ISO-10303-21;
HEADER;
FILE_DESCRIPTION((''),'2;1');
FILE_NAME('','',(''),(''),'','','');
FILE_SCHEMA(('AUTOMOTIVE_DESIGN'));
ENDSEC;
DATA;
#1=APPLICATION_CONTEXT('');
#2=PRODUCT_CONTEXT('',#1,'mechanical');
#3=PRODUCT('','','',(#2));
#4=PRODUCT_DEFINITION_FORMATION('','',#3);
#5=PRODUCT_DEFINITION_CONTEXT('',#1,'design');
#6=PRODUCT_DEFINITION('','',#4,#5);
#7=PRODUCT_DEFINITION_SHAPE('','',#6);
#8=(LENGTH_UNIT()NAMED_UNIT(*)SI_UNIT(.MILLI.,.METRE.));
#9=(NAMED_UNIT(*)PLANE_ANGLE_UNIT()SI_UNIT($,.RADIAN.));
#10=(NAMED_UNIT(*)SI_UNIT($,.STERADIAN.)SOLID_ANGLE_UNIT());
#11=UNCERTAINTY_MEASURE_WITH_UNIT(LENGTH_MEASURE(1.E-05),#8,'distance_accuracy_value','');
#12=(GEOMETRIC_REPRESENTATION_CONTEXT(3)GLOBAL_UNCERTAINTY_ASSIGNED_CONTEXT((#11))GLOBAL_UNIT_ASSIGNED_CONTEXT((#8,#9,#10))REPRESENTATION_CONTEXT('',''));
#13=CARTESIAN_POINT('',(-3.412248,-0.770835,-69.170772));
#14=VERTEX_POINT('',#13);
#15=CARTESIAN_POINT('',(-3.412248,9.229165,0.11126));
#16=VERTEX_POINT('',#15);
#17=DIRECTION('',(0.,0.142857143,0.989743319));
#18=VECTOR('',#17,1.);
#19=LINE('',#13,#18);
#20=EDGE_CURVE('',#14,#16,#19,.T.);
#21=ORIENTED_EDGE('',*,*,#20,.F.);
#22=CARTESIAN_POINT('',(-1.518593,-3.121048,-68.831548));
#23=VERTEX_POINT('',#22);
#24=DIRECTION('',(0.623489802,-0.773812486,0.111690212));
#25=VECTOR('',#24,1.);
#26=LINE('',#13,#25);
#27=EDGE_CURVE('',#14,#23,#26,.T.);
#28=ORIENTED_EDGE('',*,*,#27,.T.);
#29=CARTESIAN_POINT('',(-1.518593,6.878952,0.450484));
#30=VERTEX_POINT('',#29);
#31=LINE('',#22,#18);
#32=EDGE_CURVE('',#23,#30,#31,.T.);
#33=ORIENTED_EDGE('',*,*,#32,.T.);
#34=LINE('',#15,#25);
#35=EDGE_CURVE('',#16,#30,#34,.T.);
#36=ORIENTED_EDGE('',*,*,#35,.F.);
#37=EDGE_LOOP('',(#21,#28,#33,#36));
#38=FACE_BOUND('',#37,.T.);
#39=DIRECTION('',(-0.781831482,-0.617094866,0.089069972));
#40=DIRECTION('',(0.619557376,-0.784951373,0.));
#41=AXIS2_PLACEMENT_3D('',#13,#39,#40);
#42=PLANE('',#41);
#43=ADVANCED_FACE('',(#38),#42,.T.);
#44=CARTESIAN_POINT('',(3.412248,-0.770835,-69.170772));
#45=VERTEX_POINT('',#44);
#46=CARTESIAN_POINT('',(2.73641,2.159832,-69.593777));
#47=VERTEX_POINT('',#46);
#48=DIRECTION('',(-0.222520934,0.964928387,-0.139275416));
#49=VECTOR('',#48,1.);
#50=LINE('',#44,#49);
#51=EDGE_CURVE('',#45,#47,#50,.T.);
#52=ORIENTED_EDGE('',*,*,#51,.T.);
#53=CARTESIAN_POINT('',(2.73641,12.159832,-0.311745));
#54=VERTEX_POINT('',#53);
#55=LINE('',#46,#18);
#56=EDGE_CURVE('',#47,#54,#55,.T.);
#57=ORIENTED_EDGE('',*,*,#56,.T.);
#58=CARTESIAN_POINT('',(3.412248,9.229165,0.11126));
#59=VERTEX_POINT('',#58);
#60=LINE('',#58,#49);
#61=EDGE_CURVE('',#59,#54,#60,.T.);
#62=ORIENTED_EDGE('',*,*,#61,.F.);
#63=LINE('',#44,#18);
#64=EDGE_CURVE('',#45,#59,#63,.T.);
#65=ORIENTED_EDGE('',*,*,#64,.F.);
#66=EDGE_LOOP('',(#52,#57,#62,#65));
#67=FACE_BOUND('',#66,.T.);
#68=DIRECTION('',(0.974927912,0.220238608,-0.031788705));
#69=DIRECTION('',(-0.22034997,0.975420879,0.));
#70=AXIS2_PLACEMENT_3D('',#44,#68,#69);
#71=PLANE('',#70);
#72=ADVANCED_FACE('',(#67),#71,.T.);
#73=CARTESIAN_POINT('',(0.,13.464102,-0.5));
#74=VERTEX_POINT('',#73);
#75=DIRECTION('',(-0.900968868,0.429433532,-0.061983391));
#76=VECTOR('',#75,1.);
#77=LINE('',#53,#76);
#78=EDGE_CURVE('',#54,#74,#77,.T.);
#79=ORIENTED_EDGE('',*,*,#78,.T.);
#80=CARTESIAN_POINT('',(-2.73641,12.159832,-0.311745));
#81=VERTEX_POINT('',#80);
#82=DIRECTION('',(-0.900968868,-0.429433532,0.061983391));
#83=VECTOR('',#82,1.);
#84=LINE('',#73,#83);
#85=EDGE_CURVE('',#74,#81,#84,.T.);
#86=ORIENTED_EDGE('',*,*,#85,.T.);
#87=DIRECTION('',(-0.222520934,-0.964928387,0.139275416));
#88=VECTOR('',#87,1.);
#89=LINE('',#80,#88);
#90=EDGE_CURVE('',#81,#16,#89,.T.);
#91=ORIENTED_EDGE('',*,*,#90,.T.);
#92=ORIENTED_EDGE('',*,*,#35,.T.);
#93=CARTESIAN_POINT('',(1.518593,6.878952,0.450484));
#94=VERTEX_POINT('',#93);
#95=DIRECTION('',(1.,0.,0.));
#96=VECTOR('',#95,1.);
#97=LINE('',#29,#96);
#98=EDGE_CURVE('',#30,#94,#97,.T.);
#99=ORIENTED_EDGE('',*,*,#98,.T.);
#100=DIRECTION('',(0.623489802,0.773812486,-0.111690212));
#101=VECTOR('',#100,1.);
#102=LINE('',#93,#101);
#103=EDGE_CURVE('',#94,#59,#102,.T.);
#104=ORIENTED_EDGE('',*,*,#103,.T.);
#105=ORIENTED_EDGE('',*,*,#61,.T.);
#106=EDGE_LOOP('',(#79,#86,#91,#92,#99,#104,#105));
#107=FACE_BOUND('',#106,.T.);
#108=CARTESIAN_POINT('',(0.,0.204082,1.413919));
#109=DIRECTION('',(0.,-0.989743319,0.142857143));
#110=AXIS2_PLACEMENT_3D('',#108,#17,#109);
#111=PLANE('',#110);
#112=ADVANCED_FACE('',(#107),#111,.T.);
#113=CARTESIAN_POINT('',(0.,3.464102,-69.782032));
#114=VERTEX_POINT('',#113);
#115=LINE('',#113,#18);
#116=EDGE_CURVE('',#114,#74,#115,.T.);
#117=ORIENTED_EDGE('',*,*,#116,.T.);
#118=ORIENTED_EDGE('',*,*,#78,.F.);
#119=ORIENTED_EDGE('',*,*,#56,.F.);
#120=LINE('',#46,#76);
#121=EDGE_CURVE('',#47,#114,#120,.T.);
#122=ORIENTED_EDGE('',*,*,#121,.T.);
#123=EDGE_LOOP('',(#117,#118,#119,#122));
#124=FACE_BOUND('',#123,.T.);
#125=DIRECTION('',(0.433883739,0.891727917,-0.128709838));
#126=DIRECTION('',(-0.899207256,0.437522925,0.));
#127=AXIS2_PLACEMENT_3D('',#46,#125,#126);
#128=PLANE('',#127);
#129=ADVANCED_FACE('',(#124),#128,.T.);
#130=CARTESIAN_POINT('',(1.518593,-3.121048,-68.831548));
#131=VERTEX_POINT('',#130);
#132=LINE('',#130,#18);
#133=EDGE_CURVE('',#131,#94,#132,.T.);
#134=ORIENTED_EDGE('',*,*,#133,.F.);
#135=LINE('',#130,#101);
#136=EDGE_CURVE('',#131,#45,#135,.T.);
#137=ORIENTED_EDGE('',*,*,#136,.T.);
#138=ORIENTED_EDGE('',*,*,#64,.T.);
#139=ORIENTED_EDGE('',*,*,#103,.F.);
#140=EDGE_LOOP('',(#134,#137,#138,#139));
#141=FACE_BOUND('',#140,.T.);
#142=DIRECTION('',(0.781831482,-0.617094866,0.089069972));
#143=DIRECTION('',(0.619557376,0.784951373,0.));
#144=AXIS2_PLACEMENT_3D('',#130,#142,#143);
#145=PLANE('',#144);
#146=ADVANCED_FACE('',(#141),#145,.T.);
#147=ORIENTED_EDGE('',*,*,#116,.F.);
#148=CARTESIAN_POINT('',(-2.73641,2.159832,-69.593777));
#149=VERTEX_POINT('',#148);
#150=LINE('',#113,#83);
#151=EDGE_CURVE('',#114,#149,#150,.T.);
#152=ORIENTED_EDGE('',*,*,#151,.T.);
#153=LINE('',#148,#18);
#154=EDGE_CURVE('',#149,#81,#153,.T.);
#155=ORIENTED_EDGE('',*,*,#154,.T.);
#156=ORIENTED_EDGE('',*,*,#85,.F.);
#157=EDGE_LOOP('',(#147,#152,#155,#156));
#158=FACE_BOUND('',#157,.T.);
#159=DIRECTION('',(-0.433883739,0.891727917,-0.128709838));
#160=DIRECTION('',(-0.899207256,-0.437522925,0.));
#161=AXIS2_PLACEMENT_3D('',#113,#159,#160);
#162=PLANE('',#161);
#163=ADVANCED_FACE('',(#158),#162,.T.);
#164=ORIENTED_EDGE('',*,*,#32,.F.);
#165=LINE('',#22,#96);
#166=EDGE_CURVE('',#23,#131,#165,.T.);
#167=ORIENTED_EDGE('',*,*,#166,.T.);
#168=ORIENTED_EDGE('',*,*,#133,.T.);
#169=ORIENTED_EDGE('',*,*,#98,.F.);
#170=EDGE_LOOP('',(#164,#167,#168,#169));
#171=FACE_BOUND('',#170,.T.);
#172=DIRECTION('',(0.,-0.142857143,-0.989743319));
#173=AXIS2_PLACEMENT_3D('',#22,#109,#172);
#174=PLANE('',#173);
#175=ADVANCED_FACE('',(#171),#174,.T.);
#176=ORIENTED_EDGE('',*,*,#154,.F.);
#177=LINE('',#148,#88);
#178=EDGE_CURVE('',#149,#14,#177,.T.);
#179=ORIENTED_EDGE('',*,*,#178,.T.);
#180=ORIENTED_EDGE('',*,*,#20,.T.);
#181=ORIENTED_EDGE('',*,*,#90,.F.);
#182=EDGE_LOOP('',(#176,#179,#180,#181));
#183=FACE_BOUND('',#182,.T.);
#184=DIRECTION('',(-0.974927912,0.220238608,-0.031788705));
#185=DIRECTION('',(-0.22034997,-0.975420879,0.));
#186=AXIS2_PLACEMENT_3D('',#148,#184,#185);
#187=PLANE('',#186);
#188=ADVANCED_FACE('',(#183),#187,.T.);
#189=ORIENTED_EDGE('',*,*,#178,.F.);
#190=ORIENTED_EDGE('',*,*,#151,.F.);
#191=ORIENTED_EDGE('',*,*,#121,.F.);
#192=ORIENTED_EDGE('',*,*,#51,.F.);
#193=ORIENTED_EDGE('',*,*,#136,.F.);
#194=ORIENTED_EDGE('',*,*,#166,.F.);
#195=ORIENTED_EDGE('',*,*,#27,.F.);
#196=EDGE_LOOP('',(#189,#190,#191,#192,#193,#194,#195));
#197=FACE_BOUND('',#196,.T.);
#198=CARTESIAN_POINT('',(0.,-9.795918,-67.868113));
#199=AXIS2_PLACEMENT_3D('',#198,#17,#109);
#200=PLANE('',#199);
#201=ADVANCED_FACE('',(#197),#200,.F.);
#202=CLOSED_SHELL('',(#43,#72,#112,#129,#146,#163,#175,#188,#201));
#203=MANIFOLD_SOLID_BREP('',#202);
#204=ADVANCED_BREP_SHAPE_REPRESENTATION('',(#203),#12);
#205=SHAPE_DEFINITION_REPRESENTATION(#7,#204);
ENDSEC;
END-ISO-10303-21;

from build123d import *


with BuildPart() as part:
    # Sweep1: sweep along a path in Sketch1
    with BuildLine(Plane(origin=(0, 0, 0), x_dir=(0, 0, -1), z_dir=(1, 0, 0))) as sweep1_path:
        Line((69.282032303, 0), (0, 10))
    # Sketch2 → Sweep1 (sweep)
    with BuildSketch(Plane(origin=(0, 0, -69.282032303), x_dir=(1, 0, 0), z_dir=(0, 0.14285714285714282, 0.989743318610787))):
        Polygon((0, 3.5), (-2.736410189, 2.182214307), (-3.412247693, -0.778823269), (-1.518593087, -3.153391038), (1.518593087, -3.153391038), (3.412247693, -0.778823269), (2.736410189, 2.182214307), align=None)
    sweep(path=sweep1_path.line)


solid = part.part
